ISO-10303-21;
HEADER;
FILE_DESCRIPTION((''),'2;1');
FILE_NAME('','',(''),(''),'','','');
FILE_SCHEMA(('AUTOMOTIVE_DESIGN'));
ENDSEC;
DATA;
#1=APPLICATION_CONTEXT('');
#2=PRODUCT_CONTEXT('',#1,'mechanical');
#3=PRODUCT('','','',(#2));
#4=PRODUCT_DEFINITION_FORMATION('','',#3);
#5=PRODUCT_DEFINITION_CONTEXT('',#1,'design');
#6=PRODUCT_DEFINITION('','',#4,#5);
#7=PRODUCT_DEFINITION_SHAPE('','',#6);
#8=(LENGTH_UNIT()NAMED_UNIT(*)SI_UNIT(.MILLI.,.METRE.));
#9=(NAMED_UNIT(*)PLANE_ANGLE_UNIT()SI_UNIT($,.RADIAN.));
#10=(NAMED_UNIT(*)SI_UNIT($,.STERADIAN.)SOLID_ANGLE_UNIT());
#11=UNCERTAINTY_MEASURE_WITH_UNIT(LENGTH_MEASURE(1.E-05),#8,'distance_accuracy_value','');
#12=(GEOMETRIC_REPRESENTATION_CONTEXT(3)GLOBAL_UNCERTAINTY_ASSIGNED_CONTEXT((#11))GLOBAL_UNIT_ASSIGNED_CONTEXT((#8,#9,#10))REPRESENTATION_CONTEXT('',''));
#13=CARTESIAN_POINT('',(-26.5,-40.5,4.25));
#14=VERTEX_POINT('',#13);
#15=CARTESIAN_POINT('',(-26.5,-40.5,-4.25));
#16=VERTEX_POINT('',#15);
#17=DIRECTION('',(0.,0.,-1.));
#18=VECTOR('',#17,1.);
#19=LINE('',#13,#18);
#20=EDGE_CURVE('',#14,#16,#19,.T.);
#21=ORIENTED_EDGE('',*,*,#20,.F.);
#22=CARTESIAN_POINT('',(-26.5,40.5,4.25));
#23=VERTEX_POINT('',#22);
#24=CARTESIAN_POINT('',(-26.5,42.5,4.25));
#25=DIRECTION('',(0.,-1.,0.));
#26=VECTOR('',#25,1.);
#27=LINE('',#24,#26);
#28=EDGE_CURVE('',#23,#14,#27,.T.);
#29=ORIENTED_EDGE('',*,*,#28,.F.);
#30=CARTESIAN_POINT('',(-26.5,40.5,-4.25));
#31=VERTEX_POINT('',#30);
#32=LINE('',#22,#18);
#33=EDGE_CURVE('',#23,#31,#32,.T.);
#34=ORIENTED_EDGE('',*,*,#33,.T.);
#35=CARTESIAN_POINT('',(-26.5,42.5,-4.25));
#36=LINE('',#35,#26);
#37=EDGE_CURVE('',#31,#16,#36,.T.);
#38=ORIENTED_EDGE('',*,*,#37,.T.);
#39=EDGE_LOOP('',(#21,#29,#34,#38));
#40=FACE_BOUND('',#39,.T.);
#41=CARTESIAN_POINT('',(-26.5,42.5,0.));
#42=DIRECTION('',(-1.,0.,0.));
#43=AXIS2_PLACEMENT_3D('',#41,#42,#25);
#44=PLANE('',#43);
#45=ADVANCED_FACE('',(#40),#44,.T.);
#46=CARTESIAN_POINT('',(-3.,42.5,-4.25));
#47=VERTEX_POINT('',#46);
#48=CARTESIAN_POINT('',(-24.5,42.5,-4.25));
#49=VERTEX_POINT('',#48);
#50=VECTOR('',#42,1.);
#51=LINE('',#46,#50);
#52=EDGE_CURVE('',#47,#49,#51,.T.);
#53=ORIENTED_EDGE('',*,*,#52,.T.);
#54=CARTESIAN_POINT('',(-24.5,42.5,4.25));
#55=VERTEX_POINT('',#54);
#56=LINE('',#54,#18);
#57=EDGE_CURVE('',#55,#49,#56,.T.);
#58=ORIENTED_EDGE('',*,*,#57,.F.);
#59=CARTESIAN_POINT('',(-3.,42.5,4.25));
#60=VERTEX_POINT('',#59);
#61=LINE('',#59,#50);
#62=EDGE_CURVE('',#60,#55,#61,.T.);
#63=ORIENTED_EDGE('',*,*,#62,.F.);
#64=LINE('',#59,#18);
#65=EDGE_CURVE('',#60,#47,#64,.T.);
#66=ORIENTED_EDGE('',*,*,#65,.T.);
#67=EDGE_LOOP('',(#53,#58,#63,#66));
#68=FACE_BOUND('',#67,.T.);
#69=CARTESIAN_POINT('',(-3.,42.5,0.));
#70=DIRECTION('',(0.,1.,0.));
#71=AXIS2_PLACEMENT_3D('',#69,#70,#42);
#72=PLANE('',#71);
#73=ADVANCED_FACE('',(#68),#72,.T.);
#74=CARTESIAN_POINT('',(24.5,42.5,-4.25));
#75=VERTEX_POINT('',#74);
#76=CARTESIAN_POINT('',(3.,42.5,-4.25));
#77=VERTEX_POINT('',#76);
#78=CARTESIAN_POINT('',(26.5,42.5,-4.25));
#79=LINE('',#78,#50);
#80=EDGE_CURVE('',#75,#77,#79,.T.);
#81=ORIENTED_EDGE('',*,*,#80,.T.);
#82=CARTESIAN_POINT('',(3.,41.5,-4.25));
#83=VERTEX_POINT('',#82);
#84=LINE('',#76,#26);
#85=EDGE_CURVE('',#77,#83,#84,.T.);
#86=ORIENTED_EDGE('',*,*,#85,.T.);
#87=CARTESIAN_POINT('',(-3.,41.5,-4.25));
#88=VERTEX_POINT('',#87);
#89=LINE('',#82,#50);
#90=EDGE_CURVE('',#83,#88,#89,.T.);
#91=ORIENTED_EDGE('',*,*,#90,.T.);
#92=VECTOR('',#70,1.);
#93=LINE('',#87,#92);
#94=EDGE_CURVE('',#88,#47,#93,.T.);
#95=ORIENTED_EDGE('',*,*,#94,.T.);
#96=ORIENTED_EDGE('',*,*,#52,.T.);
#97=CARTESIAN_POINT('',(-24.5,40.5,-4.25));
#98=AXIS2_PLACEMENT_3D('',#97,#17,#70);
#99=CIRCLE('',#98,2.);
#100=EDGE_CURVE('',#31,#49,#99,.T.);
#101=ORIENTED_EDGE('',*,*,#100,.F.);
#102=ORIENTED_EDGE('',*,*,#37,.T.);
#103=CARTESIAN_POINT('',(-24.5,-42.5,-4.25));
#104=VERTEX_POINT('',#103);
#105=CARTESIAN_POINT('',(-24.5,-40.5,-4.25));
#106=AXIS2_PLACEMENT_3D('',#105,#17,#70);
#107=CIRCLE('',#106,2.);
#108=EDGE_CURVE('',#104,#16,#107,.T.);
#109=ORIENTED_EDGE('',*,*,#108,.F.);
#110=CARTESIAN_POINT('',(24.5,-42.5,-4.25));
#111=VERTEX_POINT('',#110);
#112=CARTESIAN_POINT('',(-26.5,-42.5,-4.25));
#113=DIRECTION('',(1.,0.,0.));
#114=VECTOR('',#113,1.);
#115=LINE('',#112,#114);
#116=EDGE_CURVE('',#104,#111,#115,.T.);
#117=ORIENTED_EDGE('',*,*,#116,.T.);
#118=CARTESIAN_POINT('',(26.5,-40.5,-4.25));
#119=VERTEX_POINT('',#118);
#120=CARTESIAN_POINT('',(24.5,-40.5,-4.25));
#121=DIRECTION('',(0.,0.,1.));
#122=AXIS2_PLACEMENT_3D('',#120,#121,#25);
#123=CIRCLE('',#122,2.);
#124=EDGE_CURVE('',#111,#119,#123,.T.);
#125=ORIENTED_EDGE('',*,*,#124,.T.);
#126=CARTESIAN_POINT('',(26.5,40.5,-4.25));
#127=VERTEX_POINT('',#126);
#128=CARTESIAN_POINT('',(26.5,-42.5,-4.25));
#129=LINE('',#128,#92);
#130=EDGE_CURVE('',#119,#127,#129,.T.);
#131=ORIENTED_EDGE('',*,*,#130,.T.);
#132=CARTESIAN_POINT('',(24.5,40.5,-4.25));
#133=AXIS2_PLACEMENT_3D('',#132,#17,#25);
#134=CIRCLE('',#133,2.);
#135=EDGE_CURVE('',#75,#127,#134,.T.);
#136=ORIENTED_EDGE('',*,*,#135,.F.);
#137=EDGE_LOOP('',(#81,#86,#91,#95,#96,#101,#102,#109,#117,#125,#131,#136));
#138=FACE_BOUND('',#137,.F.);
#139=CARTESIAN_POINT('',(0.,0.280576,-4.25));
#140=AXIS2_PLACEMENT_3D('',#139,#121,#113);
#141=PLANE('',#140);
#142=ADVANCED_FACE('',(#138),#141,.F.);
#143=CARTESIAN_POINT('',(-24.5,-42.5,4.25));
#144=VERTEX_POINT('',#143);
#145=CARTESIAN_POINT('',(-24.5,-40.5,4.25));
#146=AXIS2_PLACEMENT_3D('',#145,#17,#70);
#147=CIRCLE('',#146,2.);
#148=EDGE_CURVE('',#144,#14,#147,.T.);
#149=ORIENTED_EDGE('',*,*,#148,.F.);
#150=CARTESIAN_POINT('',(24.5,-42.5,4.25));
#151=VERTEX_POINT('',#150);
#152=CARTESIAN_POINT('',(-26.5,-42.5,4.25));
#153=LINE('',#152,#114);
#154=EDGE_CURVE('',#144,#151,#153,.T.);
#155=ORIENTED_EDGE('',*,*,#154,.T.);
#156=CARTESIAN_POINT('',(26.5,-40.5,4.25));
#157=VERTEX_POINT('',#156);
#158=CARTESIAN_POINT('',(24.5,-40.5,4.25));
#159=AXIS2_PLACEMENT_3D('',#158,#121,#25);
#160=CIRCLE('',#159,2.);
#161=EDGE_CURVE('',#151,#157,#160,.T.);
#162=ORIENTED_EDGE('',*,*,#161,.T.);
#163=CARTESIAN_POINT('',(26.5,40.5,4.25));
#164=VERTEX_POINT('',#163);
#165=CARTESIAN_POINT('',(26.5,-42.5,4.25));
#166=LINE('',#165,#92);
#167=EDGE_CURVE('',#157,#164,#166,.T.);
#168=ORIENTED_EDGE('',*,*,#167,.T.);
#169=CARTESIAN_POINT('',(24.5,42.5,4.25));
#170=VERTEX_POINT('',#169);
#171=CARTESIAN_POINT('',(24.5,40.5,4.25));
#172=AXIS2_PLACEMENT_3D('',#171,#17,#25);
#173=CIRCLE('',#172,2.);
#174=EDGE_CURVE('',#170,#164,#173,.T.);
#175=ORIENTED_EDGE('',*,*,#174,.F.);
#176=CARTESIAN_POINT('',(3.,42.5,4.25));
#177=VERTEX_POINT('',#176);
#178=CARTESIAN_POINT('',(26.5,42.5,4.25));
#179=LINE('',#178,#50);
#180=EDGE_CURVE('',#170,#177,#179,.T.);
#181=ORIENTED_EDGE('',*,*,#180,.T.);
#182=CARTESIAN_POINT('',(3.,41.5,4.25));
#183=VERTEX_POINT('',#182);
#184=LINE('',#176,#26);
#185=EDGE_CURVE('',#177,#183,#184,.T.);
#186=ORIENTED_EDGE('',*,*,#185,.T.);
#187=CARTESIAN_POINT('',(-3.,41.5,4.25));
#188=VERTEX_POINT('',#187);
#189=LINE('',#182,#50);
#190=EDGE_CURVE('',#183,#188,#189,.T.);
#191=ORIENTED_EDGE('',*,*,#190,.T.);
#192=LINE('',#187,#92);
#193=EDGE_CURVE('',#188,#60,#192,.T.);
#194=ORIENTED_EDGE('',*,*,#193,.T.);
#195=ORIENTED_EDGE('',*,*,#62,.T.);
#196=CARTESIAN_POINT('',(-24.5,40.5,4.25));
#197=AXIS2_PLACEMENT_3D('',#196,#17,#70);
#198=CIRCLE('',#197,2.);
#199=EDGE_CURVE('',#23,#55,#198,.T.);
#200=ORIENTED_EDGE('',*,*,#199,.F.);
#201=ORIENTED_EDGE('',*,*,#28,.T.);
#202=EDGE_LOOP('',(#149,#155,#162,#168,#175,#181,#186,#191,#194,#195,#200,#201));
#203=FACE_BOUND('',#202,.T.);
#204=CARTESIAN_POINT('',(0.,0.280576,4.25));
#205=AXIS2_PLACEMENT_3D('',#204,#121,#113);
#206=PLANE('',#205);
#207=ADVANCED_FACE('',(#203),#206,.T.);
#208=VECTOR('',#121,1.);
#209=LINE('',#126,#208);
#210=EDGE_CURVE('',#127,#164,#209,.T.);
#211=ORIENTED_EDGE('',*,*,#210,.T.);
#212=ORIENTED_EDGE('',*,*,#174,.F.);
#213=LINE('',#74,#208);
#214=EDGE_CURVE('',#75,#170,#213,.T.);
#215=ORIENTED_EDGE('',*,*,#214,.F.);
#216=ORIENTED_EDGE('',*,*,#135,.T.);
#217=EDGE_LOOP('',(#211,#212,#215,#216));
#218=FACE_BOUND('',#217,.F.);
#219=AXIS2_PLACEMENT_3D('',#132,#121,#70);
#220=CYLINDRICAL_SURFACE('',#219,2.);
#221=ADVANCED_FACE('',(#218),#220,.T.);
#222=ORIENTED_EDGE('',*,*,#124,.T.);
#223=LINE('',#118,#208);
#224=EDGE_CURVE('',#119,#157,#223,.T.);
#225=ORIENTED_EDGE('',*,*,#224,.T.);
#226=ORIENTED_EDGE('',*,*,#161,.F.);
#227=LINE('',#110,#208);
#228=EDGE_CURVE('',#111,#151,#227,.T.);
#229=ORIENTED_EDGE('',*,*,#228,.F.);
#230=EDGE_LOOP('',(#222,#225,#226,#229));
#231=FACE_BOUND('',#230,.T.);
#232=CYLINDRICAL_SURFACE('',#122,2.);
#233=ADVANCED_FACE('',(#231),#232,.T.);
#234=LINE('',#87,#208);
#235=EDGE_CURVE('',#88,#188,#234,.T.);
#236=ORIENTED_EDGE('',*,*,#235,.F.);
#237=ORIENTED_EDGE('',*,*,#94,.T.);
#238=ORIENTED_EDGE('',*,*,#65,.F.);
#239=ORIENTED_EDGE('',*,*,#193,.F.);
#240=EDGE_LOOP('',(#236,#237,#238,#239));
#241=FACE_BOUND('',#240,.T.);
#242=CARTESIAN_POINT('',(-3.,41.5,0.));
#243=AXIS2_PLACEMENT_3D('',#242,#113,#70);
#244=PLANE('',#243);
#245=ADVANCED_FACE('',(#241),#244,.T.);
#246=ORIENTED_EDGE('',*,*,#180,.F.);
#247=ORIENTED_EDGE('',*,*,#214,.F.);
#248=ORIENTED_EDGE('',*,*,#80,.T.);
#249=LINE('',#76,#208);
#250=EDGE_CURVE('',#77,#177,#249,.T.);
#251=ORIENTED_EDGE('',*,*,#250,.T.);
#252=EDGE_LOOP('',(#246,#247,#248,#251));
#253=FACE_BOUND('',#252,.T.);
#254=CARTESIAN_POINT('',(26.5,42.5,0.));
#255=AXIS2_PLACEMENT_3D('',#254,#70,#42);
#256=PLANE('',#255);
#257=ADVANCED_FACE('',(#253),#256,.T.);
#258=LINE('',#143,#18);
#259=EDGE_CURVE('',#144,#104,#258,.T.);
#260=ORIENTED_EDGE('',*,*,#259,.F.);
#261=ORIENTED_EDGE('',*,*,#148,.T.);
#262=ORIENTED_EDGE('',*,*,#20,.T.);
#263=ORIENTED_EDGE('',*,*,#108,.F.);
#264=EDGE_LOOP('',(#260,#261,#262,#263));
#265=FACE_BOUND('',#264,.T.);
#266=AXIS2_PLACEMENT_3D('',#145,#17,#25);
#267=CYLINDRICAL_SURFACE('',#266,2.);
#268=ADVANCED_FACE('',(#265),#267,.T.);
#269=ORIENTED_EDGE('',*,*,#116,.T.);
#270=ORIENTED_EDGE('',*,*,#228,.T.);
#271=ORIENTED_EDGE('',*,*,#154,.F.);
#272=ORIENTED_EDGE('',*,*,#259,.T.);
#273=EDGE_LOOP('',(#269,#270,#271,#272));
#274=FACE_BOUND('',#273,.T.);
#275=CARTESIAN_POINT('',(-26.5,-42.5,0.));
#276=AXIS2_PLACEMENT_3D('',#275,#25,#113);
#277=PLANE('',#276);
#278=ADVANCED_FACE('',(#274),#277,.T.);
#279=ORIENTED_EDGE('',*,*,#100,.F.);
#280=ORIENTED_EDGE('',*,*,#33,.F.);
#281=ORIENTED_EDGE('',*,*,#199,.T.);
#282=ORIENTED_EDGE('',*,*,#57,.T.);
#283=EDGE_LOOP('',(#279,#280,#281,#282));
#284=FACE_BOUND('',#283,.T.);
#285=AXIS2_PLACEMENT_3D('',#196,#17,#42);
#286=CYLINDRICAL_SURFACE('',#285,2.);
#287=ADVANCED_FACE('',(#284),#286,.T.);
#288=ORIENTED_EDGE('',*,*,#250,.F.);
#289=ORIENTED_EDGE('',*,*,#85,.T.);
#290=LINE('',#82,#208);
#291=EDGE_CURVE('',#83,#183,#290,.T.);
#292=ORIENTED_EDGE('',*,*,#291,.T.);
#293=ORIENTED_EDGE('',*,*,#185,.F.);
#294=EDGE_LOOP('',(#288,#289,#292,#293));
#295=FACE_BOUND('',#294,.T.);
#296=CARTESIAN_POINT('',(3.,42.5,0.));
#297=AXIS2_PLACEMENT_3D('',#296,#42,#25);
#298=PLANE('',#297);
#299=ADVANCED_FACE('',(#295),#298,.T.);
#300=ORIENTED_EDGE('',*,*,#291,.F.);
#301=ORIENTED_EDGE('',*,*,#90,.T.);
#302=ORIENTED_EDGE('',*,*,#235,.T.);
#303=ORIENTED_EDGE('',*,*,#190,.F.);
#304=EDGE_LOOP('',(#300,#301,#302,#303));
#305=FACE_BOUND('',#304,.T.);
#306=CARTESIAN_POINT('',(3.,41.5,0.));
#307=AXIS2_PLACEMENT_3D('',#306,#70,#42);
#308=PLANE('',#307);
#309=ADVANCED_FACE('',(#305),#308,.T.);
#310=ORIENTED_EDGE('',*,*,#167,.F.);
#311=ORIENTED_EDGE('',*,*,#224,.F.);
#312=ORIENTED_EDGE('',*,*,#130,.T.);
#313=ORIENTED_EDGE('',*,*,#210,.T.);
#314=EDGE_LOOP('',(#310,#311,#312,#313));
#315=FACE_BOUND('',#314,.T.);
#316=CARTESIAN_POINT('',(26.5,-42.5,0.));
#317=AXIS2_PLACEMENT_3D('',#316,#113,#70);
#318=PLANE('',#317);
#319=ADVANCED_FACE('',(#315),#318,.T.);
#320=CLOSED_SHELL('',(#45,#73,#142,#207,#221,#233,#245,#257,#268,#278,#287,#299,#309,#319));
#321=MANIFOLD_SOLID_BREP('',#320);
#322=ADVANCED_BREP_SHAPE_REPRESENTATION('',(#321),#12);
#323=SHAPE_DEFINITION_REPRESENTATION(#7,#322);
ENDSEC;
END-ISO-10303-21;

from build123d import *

# Parameters (mm, degrees)
F1_DEPTH = 4.25
F2_R     = 2


with BuildPart() as f1:
    # F0 (on Top) → F1 (new body, symmetric)
    with BuildSketch(Plane.XY):
        Polygon((-26.5, -42.5), (26.5, -42.5), (26.5, 42.5), (3, 42.5), (3, 41.5), (-3, 41.5), (-3, 42.5), (-26.5, 42.5), align=None)
    extrude(amount=F1_DEPTH, both=True)

    # F2
    f2_edges = [f1.edges().sort_by_distance(p)[0] for p in [
        (-26.5, -42.5, 0),
        (26.5, -42.5, 0),
        (26.5, 42.5, 0),
        (-26.5, 42.5, 0),
    ]]
    fillet(f2_edges, radius=F2_R)


solid = f1.part
